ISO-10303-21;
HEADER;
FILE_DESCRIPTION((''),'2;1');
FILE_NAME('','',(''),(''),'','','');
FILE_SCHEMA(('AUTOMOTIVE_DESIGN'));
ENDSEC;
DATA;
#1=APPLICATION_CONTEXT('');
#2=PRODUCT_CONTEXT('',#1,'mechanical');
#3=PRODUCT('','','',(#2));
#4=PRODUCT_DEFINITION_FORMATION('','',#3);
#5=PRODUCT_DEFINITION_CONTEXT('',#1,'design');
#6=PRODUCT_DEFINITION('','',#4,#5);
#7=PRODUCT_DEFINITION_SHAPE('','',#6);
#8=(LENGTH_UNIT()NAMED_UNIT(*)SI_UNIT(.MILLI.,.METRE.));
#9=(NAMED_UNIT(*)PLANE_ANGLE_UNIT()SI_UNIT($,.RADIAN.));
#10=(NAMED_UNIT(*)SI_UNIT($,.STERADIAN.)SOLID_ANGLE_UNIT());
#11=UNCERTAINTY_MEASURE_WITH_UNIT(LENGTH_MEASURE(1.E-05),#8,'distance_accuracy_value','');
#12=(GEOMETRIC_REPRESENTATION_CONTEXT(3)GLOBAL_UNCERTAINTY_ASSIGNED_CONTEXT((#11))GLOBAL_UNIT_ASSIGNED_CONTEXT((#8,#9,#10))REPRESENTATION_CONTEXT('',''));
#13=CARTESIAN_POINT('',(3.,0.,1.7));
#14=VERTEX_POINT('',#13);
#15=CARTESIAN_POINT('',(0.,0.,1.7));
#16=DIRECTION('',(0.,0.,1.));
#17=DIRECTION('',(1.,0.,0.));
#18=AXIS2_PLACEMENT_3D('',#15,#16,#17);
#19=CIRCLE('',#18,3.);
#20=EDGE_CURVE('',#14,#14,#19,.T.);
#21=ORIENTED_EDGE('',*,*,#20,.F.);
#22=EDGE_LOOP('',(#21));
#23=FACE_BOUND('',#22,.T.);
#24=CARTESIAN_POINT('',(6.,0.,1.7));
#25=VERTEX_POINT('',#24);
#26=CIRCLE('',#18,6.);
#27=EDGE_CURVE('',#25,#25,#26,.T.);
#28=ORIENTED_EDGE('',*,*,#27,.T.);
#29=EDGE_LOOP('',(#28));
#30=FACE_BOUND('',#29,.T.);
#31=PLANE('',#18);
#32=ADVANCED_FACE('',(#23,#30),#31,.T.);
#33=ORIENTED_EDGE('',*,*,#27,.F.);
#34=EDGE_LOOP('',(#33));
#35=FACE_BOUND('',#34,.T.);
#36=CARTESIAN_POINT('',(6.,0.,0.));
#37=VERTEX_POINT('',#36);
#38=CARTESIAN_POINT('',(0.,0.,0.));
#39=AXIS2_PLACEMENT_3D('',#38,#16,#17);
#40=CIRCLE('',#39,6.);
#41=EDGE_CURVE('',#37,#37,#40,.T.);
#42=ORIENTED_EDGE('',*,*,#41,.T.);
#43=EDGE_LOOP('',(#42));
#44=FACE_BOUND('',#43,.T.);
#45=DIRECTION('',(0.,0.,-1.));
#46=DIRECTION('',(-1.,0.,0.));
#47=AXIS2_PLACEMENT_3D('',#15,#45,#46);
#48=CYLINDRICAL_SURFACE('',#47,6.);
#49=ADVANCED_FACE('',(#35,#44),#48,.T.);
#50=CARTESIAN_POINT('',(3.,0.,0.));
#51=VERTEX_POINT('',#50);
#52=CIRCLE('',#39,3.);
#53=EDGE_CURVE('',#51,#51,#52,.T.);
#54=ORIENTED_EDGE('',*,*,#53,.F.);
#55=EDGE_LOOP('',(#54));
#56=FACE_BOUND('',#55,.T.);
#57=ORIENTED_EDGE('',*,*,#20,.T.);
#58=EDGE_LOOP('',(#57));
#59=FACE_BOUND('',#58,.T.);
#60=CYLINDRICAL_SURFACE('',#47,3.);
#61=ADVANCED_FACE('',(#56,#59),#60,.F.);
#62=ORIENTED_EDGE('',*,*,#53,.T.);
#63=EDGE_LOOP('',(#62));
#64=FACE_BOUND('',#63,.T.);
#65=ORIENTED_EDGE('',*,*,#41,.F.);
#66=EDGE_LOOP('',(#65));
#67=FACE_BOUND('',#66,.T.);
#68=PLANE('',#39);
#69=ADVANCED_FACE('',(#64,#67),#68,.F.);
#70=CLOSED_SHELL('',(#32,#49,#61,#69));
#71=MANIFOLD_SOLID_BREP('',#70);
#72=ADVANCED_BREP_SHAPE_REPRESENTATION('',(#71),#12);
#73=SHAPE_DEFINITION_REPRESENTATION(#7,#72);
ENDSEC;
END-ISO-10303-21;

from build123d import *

# Parameters (mm, degrees)
SKETCH1_R           = 6
SKETCH1_R_2         = 3
BOSS_EXTRUDE1_DEPTH = 1.7


with BuildPart() as part:
    # Sketch1 → Boss-Extrude1 (new body)
    with BuildSketch(Plane.XY):
        Circle(SKETCH1_R)
        Circle(SKETCH1_R_2, mode=Mode.SUBTRACT)
    extrude(amount=BOSS_EXTRUDE1_DEPTH)


solid = part.part
